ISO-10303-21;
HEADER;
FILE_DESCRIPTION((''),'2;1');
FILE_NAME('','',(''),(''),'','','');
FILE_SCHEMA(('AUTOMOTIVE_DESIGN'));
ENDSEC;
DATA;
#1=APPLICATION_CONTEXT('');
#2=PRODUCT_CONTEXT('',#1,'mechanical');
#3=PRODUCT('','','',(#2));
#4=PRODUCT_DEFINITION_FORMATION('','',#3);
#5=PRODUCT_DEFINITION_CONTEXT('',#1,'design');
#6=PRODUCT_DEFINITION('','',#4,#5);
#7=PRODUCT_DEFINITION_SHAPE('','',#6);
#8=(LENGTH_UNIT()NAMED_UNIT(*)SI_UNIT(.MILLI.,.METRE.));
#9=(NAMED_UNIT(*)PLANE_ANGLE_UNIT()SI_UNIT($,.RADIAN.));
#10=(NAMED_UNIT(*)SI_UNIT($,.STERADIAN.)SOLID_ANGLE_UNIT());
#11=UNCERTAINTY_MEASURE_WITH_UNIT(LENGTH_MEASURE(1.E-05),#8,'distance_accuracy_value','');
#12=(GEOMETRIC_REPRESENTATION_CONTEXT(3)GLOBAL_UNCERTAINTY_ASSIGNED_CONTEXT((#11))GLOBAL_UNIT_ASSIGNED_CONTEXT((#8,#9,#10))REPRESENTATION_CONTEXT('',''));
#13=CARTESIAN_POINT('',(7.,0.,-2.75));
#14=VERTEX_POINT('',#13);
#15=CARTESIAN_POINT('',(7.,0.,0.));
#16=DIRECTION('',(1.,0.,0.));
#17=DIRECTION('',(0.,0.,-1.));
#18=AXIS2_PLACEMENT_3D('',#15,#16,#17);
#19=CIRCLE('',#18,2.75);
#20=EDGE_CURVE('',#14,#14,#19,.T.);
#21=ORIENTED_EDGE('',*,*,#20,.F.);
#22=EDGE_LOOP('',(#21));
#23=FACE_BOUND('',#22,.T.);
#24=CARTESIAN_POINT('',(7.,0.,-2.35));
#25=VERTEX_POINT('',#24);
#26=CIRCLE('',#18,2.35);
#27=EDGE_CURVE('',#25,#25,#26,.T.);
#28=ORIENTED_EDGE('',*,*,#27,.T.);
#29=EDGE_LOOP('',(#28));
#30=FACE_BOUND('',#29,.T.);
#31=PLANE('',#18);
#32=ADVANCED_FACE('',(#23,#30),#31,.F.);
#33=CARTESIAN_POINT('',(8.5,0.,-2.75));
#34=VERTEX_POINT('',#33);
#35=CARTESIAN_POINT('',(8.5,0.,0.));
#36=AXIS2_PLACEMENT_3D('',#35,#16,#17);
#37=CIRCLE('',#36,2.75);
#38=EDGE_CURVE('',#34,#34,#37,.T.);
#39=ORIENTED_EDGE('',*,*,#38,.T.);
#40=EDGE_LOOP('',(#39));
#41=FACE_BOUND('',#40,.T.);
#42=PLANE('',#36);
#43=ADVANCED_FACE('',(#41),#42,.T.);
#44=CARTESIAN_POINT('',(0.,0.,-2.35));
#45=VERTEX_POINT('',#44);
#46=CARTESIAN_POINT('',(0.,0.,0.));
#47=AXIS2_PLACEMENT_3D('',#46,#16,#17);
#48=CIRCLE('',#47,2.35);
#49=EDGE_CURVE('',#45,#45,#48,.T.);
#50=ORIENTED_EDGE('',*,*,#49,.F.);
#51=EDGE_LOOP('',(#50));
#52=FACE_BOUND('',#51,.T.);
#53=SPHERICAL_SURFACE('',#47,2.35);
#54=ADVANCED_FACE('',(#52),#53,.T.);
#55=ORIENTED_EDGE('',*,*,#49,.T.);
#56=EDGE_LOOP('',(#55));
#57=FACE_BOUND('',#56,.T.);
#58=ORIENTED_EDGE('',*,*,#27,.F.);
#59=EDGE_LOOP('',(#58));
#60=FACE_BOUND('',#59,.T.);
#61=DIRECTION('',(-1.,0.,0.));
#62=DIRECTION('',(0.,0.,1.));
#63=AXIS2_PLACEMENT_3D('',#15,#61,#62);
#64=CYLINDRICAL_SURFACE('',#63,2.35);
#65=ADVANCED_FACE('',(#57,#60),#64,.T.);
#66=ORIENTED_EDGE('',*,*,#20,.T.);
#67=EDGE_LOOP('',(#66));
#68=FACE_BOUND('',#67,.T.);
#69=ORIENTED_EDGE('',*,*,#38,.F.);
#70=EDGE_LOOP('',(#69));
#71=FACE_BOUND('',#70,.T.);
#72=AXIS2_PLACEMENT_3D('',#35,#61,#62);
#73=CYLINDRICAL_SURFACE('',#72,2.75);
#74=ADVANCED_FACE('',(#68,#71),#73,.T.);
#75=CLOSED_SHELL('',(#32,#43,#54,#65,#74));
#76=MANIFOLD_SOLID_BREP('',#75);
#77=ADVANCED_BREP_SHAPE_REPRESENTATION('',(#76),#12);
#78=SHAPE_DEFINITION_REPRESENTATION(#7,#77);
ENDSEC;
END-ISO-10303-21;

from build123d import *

# Parameters (mm, degrees)
SKETCH1_R           = 2.35
BOSS_EXTRUDE1_DEPTH = 7
SKETCH2_R           = 2.75
BOSS_EXTRUDE2_DEPTH = 1.5


with BuildPart() as part:
    # Sketch1 → Boss-Extrude1 (new body)
    with BuildSketch(Plane(origin=(0, 0, 0), x_dir=(0, 0, -1), z_dir=(1, 0, 0))):
        Circle(SKETCH1_R)
    extrude(amount=BOSS_EXTRUDE1_DEPTH)

    # Sketch2 → Boss-Extrude2 (add)
    with BuildSketch(Plane(origin=(7, 0, 0), x_dir=(0, 0, -1), z_dir=(1, 0, 0))):
        Circle(SKETCH2_R)
    extrude(amount=BOSS_EXTRUDE2_DEPTH)

    # Sketch15 → Revolve1 (revolve)
    with BuildSketch(Plane.XY):
        with BuildLine():
            Line((0, 2.35), (0, -2.35))
            ThreePointArc((0, -2.35), (-2.35, 0), (0, 2.35))
        make_face()
    revolve(axis=Axis((0, 2.35, 0), (0, -1, 0)))


solid = part.part
